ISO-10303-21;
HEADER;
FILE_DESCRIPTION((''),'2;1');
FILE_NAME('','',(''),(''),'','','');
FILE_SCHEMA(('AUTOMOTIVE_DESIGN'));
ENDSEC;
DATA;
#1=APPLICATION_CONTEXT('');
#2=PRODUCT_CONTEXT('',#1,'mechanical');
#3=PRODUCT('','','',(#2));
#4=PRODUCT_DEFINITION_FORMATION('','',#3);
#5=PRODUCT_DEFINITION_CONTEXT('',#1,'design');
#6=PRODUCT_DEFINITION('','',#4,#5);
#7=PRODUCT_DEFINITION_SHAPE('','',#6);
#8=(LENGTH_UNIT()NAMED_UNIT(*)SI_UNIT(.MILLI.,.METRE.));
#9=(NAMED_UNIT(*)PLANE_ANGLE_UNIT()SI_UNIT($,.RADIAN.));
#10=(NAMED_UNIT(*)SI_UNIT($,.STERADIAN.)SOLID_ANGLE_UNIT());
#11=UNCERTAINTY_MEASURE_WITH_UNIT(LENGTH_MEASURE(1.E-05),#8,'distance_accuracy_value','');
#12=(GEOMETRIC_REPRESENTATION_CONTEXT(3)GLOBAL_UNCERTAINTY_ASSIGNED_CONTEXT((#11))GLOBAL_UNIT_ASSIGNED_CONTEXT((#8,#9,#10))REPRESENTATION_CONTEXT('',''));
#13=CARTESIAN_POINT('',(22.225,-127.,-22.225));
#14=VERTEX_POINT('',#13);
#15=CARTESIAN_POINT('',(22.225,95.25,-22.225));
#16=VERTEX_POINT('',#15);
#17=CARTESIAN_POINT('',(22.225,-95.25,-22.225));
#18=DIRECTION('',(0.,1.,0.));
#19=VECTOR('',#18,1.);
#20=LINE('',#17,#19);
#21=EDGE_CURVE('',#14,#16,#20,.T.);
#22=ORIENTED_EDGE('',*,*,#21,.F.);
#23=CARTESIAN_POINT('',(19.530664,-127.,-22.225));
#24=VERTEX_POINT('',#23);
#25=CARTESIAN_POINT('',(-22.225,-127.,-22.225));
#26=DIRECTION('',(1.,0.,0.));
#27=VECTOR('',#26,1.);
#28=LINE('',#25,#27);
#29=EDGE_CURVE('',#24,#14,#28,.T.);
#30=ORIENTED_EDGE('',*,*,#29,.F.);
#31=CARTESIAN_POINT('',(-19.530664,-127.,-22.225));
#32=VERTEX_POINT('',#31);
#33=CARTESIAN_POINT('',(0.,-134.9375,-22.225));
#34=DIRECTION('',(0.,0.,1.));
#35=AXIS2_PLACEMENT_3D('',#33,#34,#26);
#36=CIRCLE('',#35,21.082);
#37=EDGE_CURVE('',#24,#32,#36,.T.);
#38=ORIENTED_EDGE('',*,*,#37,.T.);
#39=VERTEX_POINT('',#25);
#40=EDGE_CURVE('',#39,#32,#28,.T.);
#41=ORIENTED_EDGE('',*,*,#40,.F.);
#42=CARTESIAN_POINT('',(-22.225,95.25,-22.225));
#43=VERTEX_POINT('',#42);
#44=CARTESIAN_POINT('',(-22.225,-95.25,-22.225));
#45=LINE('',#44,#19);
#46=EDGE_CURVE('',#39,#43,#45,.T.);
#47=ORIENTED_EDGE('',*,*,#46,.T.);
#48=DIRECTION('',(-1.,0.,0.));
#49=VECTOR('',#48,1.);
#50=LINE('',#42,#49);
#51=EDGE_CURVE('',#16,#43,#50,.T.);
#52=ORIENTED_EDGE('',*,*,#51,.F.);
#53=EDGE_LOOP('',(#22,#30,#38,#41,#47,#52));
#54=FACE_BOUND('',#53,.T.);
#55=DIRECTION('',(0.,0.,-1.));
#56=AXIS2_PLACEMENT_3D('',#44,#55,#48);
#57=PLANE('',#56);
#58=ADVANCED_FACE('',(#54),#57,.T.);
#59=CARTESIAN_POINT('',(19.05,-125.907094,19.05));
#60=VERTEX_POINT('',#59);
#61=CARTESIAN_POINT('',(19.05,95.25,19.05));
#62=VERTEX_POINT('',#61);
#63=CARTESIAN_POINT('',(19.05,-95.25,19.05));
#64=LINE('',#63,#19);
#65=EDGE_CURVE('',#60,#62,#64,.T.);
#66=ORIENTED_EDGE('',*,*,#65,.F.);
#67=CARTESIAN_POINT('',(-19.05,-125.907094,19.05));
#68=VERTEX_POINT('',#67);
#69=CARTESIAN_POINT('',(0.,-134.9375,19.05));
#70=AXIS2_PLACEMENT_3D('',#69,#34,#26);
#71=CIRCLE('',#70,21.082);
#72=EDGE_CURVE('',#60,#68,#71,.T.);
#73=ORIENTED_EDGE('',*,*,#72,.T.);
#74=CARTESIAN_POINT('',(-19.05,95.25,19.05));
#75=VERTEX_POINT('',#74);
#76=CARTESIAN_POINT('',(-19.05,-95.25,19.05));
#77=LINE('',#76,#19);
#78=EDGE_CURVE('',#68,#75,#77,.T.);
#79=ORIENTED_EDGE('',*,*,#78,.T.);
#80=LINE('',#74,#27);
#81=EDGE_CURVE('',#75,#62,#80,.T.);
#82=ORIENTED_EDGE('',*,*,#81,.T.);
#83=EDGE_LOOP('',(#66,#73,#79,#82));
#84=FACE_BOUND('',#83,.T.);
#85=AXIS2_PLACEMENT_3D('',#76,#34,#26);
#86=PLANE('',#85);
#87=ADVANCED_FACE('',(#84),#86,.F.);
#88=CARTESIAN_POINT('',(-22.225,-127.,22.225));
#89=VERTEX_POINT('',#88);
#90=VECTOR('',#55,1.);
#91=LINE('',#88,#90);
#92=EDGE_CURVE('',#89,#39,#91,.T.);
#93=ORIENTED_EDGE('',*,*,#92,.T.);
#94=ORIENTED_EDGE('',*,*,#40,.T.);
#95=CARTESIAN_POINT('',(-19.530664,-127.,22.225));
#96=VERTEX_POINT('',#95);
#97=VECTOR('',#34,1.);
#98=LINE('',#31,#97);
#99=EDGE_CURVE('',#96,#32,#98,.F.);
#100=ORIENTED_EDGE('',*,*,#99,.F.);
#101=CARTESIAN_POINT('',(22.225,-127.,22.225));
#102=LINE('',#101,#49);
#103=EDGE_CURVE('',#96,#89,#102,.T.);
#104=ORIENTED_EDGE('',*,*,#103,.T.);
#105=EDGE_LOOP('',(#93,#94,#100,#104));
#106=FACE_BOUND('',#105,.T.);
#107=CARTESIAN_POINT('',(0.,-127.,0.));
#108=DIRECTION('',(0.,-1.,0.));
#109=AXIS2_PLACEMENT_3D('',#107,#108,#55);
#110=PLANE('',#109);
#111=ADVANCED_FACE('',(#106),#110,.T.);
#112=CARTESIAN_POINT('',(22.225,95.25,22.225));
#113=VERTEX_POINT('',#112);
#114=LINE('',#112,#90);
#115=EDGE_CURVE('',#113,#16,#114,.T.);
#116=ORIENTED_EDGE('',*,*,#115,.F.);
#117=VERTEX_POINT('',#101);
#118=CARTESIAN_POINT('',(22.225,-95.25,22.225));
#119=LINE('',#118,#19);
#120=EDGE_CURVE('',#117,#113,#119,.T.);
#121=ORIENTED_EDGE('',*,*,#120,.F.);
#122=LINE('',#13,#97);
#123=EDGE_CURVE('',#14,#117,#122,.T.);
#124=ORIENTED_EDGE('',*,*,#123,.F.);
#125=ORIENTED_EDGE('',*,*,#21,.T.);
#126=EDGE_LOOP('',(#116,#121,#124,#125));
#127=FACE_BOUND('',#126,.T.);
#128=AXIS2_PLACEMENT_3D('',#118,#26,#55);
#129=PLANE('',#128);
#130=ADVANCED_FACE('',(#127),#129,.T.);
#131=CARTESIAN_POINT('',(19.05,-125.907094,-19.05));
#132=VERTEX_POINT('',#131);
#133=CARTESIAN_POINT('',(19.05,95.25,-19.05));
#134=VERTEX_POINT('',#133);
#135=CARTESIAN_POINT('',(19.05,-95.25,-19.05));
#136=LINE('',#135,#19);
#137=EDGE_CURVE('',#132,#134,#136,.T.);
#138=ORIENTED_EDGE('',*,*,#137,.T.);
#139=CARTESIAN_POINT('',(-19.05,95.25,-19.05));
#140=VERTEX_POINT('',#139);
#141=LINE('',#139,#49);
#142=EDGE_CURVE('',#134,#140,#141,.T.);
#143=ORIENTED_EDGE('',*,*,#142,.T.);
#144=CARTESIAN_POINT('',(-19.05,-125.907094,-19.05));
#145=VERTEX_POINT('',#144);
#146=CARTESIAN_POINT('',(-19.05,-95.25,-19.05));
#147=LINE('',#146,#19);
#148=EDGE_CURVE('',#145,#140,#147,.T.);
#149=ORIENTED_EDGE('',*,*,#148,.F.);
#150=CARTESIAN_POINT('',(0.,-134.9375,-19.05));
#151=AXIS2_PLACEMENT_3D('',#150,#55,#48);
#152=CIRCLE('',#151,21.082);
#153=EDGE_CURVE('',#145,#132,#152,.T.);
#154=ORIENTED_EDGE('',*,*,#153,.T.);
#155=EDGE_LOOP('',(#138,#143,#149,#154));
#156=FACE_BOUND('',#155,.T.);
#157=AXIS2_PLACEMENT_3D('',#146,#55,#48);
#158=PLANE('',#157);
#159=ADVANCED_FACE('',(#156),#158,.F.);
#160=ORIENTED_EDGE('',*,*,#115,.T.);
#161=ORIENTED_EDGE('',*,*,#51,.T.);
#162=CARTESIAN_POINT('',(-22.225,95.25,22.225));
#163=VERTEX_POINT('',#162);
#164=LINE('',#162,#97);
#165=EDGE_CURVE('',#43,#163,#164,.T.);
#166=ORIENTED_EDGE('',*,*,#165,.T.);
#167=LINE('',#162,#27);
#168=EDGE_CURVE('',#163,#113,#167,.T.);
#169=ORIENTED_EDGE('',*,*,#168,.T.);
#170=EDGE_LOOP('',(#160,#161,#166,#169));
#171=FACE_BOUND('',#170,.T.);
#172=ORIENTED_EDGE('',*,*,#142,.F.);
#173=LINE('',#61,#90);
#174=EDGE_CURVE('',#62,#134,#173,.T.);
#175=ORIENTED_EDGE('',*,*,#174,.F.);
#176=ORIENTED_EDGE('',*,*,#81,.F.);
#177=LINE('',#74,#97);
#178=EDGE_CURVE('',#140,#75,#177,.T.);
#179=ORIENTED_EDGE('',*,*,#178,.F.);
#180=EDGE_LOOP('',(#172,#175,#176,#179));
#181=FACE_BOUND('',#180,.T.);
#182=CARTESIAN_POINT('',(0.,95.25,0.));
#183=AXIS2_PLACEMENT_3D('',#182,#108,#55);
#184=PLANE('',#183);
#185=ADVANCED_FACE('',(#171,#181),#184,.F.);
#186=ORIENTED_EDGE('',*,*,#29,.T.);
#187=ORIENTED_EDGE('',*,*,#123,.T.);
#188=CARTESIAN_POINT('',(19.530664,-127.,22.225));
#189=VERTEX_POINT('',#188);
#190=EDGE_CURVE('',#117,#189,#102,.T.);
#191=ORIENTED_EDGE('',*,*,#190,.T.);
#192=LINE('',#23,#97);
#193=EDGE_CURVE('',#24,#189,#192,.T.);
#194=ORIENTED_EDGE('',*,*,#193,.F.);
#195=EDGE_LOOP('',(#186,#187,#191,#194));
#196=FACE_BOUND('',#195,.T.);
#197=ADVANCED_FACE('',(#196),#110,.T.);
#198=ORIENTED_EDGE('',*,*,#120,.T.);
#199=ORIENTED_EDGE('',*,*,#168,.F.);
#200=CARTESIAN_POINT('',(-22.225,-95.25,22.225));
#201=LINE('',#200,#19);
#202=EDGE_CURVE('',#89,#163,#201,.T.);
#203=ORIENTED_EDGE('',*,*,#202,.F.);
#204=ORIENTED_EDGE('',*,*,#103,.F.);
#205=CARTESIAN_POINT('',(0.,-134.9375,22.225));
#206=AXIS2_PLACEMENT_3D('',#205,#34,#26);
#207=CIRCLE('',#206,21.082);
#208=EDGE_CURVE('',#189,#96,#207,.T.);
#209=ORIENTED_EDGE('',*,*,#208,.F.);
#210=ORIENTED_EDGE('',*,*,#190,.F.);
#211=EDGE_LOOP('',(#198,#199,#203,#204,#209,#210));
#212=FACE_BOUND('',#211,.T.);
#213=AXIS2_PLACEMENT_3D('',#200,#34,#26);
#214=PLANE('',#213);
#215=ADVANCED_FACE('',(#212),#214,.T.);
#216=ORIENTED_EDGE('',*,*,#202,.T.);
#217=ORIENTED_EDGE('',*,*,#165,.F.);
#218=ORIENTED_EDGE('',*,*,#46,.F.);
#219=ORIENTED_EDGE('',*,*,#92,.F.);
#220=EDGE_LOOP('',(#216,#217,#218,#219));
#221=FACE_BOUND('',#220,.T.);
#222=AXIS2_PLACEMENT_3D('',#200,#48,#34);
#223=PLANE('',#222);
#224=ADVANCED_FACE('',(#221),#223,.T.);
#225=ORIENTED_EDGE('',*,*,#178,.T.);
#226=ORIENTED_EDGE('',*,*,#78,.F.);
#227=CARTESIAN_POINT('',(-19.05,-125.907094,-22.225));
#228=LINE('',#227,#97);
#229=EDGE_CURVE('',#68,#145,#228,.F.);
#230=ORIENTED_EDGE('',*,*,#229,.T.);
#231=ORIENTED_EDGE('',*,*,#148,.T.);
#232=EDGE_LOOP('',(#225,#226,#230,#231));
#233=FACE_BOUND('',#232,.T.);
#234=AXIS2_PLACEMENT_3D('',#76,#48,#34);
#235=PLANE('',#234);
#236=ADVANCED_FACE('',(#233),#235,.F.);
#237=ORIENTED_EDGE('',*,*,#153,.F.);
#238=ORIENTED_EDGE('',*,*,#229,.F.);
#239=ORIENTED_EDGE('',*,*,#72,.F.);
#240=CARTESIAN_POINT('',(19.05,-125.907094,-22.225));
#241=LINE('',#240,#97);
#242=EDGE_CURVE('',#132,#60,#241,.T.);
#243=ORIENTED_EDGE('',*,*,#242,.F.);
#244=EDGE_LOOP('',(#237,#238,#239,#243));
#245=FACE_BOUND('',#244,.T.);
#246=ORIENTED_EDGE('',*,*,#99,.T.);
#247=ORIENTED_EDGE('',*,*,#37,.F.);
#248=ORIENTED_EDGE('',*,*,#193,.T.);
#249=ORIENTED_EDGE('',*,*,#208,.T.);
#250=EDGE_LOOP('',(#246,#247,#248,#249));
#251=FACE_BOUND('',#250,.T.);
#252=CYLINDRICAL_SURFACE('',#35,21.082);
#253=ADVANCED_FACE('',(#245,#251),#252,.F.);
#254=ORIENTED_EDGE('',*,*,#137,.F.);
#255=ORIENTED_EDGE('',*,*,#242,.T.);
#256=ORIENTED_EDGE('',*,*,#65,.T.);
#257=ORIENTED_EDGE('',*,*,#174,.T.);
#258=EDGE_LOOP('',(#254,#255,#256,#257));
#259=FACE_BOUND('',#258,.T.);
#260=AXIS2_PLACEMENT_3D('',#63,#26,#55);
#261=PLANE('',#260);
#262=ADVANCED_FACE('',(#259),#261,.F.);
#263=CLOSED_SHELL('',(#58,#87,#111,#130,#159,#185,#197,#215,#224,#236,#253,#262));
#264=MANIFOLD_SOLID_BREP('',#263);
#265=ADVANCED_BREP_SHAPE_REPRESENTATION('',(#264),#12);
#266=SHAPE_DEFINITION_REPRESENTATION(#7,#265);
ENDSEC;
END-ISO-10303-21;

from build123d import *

# Parameters (mm, degrees)
BOSS_EXTRUDE1_DEPTH      = 95.25
BOSS_EXTRUDE1_DEPTH_BACK = 95.25
SKETCH1_W                = 44.45
SKETCH1_H                = 44.45
SKETCH1_W_2              = 38.1
SKETCH1_H_2              = 38.1
SKETCH2_W                = 44.45
SKETCH2_H                = 44.45
SKETCH2_W_2              = 38.1
SKETCH2_H_2              = 38.1
BOSS_EXTRUDE2_DEPTH      = 31.75
SKETCH3_R                = 21.082
CUT_EXTRUDE1_DEPTH       = 137.377245628


with BuildPart() as part:
    # Sketch1 → Boss-Extrude1 (new, two sides: drawn at the far end of the back side and taken through both)
    with BuildSketch(Plane(origin=(0, 0, 0), x_dir=(1, 0, 0), z_dir=(0, 1, 0)).offset(-BOSS_EXTRUDE1_DEPTH_BACK)):
        Rectangle(SKETCH1_W, SKETCH1_H)
        Rectangle(SKETCH1_W_2, SKETCH1_H_2, mode=Mode.SUBTRACT)
    extrude(amount=BOSS_EXTRUDE1_DEPTH + BOSS_EXTRUDE1_DEPTH_BACK)

    # Sketch2 → Boss-Extrude2 (add)
    with BuildSketch(Plane.XZ.offset(95.25)):
        Rectangle(SKETCH2_W, SKETCH2_H)
        Rectangle(SKETCH2_W_2, SKETCH2_H_2, mode=Mode.SUBTRACT)
    extrude(amount=BOSS_EXTRUDE2_DEPTH)

    # Sketch3 → Cut-Extrude1 (cut, through all)
    with BuildSketch(Plane.XY.offset(22.225)):
        with Locations((0, -134.9375)):
            Circle(SKETCH3_R)
    extrude(amount=-CUT_EXTRUDE1_DEPTH, mode=Mode.SUBTRACT)


solid = part.part
